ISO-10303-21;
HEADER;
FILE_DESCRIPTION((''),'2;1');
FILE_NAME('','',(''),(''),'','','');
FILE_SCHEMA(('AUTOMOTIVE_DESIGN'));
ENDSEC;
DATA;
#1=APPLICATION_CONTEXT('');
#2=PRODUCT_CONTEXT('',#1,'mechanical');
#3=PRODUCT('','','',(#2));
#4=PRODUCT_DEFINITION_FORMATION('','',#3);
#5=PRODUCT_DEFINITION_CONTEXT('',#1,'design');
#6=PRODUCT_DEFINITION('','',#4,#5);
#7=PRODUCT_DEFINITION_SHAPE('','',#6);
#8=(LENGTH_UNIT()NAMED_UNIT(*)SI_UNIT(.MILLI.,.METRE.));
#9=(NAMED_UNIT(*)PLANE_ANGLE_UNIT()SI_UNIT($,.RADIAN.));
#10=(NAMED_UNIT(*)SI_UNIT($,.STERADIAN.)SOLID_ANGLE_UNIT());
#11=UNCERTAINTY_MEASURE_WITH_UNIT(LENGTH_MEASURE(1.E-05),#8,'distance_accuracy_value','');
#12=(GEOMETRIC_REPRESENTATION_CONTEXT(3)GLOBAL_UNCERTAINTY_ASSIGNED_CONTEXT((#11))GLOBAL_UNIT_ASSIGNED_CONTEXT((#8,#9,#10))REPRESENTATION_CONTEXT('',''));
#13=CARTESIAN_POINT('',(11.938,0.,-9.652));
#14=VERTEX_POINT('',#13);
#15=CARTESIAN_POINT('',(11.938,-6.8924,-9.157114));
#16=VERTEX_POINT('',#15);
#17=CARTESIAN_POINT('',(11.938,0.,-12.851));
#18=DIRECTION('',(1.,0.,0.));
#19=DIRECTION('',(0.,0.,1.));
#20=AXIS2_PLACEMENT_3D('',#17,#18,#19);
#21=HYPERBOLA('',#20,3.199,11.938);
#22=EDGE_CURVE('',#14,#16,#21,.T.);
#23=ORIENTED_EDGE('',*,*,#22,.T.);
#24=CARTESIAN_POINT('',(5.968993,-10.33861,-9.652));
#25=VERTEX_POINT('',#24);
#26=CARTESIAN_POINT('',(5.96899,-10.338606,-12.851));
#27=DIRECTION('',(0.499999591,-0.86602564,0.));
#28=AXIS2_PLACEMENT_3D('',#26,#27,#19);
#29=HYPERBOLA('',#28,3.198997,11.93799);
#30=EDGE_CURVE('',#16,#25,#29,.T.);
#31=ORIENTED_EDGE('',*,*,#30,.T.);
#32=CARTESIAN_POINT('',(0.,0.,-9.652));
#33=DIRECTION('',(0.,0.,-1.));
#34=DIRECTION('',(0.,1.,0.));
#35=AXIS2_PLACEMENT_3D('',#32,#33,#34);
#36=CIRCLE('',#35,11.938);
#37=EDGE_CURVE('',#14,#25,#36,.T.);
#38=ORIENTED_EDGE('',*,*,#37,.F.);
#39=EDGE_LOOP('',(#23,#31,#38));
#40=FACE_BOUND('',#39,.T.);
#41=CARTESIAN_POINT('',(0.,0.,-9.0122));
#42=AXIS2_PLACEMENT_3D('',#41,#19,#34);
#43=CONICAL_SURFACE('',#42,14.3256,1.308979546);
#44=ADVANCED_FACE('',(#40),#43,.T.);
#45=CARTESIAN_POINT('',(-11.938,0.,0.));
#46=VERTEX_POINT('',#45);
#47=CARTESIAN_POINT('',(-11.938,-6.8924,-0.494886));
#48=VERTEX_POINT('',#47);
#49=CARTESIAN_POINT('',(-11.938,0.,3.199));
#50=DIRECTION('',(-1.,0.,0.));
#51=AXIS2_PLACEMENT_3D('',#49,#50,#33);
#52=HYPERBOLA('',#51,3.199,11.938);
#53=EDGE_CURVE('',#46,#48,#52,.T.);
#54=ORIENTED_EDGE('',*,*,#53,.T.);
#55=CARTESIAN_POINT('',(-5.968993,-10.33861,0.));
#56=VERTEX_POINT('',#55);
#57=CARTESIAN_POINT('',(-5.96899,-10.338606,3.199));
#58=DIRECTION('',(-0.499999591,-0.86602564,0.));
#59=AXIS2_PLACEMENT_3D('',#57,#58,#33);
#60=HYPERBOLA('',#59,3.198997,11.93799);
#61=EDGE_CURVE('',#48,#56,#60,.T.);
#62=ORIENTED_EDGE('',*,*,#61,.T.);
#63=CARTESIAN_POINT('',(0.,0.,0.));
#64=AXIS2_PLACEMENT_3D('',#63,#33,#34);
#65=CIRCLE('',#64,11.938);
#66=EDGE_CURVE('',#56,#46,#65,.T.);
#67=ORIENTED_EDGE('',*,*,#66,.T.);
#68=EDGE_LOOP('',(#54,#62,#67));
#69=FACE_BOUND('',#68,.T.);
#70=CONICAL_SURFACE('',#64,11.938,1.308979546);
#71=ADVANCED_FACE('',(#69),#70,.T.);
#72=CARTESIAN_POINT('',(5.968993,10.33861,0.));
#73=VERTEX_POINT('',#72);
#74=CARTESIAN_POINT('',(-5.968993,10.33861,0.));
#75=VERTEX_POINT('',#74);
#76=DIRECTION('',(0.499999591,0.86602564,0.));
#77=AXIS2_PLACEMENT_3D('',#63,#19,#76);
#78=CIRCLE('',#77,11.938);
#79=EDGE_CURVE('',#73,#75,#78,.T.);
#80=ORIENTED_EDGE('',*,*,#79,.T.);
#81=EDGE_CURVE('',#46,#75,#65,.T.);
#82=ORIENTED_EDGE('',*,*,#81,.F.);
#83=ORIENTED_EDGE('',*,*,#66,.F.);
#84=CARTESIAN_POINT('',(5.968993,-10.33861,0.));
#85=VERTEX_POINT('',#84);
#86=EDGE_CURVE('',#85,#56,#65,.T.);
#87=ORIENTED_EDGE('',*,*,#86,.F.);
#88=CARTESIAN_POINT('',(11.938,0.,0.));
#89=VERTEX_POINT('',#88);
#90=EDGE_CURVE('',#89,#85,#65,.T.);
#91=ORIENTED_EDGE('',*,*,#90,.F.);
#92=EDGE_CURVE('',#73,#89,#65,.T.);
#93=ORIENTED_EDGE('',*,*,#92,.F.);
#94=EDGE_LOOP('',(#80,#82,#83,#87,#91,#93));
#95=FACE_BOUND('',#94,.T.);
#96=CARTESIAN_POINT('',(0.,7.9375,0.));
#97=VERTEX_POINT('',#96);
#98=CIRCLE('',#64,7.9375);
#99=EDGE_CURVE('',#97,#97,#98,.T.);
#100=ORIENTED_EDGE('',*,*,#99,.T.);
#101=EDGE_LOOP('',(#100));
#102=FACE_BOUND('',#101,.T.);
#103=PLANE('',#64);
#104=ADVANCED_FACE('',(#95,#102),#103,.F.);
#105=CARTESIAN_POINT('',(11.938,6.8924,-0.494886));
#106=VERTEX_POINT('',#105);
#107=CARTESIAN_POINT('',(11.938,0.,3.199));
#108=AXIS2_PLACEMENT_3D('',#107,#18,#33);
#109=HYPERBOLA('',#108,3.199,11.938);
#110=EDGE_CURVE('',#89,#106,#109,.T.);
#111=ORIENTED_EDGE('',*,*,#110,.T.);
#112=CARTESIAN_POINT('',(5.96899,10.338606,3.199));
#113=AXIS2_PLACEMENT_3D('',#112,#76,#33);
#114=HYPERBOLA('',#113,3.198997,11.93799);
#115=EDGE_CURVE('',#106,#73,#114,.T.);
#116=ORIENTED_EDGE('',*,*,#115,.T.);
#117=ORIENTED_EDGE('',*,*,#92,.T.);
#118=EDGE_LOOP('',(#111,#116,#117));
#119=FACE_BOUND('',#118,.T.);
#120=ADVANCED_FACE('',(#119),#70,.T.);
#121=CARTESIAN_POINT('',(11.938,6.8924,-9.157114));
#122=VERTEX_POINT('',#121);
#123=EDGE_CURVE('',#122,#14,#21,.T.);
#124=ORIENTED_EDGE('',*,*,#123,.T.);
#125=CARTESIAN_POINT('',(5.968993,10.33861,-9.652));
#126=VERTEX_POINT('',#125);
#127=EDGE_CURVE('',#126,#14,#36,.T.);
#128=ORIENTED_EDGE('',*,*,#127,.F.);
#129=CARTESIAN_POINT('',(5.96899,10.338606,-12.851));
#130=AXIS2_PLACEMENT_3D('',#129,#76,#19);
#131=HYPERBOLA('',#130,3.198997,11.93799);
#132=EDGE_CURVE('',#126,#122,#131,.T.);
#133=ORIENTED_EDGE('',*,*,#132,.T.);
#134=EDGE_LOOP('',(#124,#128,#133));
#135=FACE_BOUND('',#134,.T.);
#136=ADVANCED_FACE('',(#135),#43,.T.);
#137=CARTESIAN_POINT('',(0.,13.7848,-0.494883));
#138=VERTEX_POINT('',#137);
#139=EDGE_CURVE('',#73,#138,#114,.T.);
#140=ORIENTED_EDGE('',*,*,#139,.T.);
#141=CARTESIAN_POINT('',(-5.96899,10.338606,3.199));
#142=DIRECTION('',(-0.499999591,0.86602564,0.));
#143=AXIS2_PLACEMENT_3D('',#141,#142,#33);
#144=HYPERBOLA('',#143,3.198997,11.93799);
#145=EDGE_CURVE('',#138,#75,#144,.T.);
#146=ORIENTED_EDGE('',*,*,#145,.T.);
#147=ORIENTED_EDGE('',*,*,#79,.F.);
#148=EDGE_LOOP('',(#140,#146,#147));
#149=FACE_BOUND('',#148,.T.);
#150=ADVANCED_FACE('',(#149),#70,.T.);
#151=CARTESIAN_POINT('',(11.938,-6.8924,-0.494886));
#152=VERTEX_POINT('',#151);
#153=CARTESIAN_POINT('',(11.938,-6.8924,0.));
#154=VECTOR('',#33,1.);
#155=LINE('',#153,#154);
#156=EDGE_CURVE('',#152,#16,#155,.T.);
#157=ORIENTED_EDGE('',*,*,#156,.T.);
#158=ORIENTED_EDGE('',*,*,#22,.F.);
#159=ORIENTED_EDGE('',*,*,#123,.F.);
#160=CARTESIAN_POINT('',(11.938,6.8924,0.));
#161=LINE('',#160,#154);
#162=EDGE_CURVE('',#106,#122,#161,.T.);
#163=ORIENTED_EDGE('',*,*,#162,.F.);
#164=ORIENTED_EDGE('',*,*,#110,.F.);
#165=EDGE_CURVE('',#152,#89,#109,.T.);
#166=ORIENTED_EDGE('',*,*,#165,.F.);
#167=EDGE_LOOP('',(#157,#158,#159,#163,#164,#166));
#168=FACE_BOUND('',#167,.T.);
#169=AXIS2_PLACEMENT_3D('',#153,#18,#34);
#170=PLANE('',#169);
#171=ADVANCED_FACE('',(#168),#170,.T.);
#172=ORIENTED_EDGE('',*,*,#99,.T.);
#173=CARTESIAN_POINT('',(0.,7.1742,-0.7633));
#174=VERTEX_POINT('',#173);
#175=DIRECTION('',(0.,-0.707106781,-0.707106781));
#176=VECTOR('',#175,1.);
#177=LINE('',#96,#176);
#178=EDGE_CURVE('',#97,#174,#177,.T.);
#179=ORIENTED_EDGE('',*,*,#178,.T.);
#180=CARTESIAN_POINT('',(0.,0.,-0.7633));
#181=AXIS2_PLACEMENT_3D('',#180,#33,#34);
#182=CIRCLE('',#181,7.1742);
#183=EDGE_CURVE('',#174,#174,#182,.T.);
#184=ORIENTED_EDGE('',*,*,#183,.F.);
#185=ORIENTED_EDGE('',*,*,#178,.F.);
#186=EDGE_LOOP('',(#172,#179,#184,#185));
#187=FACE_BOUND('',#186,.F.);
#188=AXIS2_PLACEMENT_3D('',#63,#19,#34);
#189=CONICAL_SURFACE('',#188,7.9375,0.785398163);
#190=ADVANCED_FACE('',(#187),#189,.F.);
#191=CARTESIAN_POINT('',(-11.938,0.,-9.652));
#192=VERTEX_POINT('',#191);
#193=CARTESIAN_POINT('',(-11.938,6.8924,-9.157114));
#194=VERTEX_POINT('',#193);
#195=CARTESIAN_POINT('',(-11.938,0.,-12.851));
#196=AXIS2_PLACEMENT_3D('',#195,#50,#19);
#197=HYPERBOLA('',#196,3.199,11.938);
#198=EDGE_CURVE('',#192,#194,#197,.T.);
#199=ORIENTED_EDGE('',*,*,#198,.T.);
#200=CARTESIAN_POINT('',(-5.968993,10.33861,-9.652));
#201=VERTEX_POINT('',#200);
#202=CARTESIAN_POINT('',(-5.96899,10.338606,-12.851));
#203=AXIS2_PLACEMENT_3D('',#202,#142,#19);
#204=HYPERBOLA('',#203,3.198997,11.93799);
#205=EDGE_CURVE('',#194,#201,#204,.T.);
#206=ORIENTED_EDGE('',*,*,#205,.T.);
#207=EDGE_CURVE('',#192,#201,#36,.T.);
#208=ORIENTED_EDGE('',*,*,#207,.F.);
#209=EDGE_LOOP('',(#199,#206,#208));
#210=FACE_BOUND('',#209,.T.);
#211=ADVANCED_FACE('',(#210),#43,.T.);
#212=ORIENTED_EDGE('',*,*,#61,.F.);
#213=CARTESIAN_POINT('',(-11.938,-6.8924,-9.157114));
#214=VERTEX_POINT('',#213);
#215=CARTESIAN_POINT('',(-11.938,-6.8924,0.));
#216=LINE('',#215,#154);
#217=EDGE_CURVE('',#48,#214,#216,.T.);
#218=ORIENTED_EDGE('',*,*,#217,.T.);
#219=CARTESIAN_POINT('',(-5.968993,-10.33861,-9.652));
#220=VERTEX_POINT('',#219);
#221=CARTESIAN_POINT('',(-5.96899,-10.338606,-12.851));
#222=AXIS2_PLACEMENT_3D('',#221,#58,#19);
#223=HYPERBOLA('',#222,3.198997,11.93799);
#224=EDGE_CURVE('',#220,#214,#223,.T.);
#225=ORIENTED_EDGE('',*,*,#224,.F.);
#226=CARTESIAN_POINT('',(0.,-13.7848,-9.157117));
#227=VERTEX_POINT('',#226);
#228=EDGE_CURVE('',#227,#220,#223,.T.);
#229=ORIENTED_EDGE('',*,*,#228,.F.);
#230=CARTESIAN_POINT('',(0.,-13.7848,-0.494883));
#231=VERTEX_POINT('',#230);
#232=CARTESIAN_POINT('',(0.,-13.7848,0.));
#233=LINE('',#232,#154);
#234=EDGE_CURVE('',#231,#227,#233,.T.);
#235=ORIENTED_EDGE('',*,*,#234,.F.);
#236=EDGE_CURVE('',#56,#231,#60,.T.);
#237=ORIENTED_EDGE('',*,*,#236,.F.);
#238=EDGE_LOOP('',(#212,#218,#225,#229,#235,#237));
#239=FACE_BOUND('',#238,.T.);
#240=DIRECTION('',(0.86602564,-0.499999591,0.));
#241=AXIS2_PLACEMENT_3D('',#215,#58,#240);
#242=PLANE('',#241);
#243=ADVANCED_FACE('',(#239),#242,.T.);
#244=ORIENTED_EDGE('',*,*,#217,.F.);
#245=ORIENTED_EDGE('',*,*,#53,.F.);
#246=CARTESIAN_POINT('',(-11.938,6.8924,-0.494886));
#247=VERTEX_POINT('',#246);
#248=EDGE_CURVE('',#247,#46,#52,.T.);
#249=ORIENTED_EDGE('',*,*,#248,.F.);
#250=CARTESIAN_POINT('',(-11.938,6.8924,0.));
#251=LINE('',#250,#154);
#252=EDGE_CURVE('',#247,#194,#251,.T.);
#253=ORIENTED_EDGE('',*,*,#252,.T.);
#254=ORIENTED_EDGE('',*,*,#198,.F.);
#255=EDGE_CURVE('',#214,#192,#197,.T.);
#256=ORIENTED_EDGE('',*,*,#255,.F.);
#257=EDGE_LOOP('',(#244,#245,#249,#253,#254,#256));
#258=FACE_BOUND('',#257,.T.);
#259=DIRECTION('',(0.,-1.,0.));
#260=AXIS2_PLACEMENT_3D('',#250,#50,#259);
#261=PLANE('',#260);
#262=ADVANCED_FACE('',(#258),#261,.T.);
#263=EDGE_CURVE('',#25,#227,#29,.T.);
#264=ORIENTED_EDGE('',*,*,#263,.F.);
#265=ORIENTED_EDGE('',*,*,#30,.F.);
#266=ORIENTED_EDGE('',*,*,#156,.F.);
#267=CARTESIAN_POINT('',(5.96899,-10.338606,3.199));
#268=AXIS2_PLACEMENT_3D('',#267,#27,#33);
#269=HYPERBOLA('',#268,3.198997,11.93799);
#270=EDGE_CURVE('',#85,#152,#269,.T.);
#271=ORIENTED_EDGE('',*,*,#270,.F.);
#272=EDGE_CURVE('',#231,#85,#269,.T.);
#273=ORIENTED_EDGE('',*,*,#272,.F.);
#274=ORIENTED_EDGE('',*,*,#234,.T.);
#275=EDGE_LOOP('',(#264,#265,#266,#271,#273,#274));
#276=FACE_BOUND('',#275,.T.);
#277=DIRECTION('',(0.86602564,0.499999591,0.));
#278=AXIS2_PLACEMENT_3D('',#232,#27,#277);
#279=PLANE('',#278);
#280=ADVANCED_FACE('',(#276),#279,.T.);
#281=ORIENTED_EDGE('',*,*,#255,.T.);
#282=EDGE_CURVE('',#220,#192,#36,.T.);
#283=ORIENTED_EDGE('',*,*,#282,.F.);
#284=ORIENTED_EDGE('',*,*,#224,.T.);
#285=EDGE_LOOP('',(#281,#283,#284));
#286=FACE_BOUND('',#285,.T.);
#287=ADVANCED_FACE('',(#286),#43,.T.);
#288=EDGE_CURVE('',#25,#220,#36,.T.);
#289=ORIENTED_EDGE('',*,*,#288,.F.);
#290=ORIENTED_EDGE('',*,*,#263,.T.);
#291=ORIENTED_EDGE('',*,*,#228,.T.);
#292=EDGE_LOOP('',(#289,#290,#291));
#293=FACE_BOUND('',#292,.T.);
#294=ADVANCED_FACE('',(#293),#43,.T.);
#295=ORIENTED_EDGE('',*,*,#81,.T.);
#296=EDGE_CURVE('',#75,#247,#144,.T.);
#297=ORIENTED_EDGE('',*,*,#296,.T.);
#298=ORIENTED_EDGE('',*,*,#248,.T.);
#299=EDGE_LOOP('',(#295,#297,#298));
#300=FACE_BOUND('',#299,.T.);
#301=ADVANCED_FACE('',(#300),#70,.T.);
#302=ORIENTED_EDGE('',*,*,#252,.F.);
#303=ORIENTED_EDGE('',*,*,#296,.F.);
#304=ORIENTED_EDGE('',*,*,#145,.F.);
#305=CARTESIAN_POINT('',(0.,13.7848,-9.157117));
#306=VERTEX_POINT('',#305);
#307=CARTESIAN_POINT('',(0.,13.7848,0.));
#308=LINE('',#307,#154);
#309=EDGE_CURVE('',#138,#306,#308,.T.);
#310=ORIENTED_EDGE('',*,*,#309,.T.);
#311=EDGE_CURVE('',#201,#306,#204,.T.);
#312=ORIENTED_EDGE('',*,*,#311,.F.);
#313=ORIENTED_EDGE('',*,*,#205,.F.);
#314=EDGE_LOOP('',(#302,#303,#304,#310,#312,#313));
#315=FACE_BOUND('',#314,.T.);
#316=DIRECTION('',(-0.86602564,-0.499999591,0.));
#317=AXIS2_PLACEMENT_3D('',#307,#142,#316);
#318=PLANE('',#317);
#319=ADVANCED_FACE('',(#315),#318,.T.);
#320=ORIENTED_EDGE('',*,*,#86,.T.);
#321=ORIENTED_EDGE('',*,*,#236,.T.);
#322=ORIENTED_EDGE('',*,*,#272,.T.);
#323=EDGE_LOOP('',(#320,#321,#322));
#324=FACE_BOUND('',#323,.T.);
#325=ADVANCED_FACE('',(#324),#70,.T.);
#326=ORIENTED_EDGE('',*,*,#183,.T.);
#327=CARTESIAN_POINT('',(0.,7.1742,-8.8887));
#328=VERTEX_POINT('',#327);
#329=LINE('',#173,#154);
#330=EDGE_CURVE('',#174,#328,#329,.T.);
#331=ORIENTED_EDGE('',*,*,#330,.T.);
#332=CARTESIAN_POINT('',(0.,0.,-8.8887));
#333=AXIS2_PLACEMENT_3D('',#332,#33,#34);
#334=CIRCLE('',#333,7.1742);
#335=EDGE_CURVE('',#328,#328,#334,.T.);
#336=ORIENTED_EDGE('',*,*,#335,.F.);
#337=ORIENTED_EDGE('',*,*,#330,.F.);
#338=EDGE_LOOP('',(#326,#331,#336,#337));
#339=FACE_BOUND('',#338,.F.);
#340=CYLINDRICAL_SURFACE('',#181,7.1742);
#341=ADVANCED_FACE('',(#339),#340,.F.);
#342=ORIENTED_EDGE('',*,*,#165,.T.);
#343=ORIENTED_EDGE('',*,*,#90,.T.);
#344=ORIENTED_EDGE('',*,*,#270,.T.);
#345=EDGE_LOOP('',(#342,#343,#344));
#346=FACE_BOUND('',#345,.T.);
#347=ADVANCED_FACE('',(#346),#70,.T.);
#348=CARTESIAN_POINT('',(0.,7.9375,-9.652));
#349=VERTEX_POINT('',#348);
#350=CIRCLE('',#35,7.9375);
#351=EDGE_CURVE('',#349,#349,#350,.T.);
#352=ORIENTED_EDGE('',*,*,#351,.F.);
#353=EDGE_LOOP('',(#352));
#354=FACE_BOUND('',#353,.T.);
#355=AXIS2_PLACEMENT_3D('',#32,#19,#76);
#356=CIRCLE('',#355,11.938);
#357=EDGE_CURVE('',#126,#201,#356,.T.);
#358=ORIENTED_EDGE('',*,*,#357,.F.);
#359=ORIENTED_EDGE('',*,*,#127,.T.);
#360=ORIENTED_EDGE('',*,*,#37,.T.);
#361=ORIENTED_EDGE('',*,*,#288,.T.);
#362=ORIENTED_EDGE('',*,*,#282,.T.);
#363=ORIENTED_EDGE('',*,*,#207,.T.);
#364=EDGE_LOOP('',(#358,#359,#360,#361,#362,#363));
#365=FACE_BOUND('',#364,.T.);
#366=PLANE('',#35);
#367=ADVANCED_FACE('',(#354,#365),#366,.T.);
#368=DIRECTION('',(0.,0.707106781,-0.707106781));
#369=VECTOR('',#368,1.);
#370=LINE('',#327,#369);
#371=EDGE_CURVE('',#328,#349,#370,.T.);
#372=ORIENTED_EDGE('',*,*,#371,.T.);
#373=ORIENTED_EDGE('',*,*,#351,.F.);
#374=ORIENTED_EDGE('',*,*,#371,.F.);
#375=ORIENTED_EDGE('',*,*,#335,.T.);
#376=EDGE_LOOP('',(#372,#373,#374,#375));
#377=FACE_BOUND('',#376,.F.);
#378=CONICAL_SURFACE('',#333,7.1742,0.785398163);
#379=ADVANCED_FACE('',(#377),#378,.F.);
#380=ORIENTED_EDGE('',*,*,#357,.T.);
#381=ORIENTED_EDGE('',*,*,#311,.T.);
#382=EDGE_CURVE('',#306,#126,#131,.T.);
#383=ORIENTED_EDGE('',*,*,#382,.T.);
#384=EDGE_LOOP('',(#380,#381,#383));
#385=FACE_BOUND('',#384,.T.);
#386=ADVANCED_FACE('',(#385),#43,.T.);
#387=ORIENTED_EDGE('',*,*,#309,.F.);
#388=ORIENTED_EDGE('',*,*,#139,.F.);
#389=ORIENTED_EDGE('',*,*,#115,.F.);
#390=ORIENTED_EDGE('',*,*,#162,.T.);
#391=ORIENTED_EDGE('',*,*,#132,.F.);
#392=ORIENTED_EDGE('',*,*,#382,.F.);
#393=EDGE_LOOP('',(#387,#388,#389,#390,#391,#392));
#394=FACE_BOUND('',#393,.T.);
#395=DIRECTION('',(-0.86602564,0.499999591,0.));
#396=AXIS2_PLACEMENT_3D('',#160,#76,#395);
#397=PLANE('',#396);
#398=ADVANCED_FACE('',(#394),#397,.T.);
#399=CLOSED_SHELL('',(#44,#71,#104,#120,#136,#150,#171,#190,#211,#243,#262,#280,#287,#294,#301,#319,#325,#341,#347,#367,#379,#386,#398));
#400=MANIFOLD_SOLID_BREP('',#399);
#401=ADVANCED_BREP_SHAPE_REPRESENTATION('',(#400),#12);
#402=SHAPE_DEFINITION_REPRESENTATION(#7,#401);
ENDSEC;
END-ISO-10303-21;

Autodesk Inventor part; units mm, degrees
sketch "Sketch_8" plane through (0, 0, 0) normal (1, 0, 0) x (0, 1, 0)
  line L0 (0, -9.652) -> (0, 0)
  line L1 (0, 0) -> (11.938, 0)
  line L2 (11.938, 0) -> (14.3256, -0.6398)
  line L3 (14.3256, -0.6398) -> (14.3256, -9.0122)
  line L4 (14.3256, -9.0122) -> (11.938, -9.652)
  line L5 (11.938, -9.652) -> (0, -9.652)
  line L6 (0, -9.652) -> (0, 0)
sketch "Sketch_10" plane through (0, 0, 0) normal (0, 0, 1) x (1, 0, 0)
  line L0 (-23.876, -23.876) -> (23.876, -23.876)
  line L1 (23.876, -23.876) -> (23.876, 23.876)
  line L2 (23.876, 23.876) -> (-23.876, 23.876)
  line L3 (-23.876, 23.876) -> (-23.876, -23.876)
  line L4 (-11.938, -6.8924) -> (0, -13.7848)
  line L5 (0, -13.7848) -> (11.938, -6.8924)
  line L6 (11.938, -6.8924) -> (11.938, 6.8924)
  line L7 (11.938, 6.8924) -> (0, 13.7848)
  line L8 (0, 13.7848) -> (-11.938, 6.8924)
  line L9 (-11.938, 6.8924) -> (-11.938, -6.8924)
revolve "Revolution1" add sketch "Sketch_8" angle 360 about axis through (0, 0, -9.652) along (0, 0, -1)
extrude "Extrusion1" cut sketch "Sketch_10" against normal blind 9.652
sketch "Sketch_11" plane through (0, 0, 0) normal (1, 0, 0) x (0, 1, 0)
  line L0 (0, -9.652) -> (0, 0)
  line L1 (0, 0) -> (7.9375, 0)
  line L2 (7.9375, 0) -> (7.1742, -0.7633)
  line L3 (7.1742, -0.7633) -> (7.1742, -8.8887)
  line L4 (7.1742, -8.8887) -> (7.9375, -9.652)
  line L5 (7.9375, -9.652) -> (0, -9.652)
  line L6 (0, -9.652) -> (0, 0)
revolve "Revolution2" cut sketch "Sketch_11" angle 360 about axis through (0, 0, -9.652) along (0, 0, -1)
thread "Thread1" size "5/8-18 UNF" class "2B" standard "ANSI Unified Screw Threads" full length
ref_plane "NUT_XY" through (0, 0, 0) normal (0, 0, 1) x (1, 0, 0)
ref_plane "NUT_YZ" through (0, 0, 0) normal (1, 0, 0) x (0, 1, 0)
ref_plane "NUT_ZX" through (0, 0, 0) normal (0, 1, 0) x (0, 0, 1)
ref_plane "a1_XY" through (-11.938, 11.938, 0) normal (0, 0, 1) x (1, 0, 0)
ref_plane "a1_YZ" through (-11.938, 11.938, 0) normal (1, 0, 0) x (0, 1, 0)
ref_plane "a1_ZX" through (-11.938, 11.938, 0) normal (0, 1, 0) x (0, 0, 1)
ref_plane "a2_XY" through (11.938, 11.938, 0) normal (0, 0, 1) x (1, 0, 0)
ref_plane "a2_YZ" through (11.938, 11.938, 0) normal (1, 0, 0) x (0, 1, 0)
ref_plane "a2_ZX" through (11.938, 11.938, 0) normal (0, 1, 0) x (0, 0, 1)
ref_plane "b1_XY" through (0, 11.938, 0) normal (1, 0, 0) x (0, 0, -1)
ref_plane "b1_YZ" through (0, 11.938, 0) normal (0, 0, -1) x (0, 1, 0)
ref_plane "b1_ZX" through (0, 11.938, 0) normal (0, 1, 0) x (1, 0, 0)
ref_plane "b2_XY" through (0, 11.938, -9.652) normal (1, 0, 0) x (0, 0, -1)
ref_plane "b2_YZ" through (0, 11.938, -9.652) normal (0, 0, -1) x (0, 1, 0)
ref_plane "b2_ZX" through (0, 11.938, -9.652) normal (0, 1, 0) x (1, 0, 0)
ref_plane "e_XY" through (0, 0, -9.652) normal (1, 0, 0) x (0, 0, -1)
ref_plane "e_YZ" through (0, 0, -9.652) normal (0, 0, -1) x (0, 1, 0)
ref_plane "e_ZX" through (0, 0, -9.652) normal (0, 1, 0) x (1, 0, 0)
ref_plane "ol1_XY" through (0, 0, -11.938) normal (0, 1, 0) x (1, 0, 0)
ref_plane "ol1_YZ" through (0, 0, -11.938) normal (1, 0, 0) x (0, 0, -1)
ref_plane "ol1_ZX" through (0, 0, -11.938) normal (0, 0, -1) x (0, 1, 0)
ref_plane "ol2_XY" through (9.652, 0, -11.938) normal (0, 1, 0) x (1, 0, 0)
ref_plane "ol2_YZ" through (9.652, 0, -11.938) normal (1, 0, 0) x (0, 0, -1)
ref_plane "ol2_ZX" through (9.652, 0, -11.938) normal (0, 0, -1) x (0, 1, 0)
ref_plane "th1_XY" through (0, 7.9375, -9.652) normal (1, 0, 0) x (0, 0, -1)
ref_plane "th1_YZ" through (0, 7.9375, -9.652) normal (0, 0, -1) x (0, 1, 0)
ref_plane "th1_ZX" through (0, 7.9375, -9.652) normal (0, 1, 0) x (1, 0, 0)
ref_plane "th2_XY" through (0, -7.9375, -9.652) normal (1, 0, 0) x (0, 0, -1)
ref_plane "th2_YZ" through (0, -7.9375, -9.652) normal (0, 0, -1) x (0, 1, 0)
ref_plane "th2_ZX" through (0, -7.9375, -9.652) normal (0, 1, 0) x (1, 0, 0)
properties part number "D-9" material "Steel, Galvanized"
